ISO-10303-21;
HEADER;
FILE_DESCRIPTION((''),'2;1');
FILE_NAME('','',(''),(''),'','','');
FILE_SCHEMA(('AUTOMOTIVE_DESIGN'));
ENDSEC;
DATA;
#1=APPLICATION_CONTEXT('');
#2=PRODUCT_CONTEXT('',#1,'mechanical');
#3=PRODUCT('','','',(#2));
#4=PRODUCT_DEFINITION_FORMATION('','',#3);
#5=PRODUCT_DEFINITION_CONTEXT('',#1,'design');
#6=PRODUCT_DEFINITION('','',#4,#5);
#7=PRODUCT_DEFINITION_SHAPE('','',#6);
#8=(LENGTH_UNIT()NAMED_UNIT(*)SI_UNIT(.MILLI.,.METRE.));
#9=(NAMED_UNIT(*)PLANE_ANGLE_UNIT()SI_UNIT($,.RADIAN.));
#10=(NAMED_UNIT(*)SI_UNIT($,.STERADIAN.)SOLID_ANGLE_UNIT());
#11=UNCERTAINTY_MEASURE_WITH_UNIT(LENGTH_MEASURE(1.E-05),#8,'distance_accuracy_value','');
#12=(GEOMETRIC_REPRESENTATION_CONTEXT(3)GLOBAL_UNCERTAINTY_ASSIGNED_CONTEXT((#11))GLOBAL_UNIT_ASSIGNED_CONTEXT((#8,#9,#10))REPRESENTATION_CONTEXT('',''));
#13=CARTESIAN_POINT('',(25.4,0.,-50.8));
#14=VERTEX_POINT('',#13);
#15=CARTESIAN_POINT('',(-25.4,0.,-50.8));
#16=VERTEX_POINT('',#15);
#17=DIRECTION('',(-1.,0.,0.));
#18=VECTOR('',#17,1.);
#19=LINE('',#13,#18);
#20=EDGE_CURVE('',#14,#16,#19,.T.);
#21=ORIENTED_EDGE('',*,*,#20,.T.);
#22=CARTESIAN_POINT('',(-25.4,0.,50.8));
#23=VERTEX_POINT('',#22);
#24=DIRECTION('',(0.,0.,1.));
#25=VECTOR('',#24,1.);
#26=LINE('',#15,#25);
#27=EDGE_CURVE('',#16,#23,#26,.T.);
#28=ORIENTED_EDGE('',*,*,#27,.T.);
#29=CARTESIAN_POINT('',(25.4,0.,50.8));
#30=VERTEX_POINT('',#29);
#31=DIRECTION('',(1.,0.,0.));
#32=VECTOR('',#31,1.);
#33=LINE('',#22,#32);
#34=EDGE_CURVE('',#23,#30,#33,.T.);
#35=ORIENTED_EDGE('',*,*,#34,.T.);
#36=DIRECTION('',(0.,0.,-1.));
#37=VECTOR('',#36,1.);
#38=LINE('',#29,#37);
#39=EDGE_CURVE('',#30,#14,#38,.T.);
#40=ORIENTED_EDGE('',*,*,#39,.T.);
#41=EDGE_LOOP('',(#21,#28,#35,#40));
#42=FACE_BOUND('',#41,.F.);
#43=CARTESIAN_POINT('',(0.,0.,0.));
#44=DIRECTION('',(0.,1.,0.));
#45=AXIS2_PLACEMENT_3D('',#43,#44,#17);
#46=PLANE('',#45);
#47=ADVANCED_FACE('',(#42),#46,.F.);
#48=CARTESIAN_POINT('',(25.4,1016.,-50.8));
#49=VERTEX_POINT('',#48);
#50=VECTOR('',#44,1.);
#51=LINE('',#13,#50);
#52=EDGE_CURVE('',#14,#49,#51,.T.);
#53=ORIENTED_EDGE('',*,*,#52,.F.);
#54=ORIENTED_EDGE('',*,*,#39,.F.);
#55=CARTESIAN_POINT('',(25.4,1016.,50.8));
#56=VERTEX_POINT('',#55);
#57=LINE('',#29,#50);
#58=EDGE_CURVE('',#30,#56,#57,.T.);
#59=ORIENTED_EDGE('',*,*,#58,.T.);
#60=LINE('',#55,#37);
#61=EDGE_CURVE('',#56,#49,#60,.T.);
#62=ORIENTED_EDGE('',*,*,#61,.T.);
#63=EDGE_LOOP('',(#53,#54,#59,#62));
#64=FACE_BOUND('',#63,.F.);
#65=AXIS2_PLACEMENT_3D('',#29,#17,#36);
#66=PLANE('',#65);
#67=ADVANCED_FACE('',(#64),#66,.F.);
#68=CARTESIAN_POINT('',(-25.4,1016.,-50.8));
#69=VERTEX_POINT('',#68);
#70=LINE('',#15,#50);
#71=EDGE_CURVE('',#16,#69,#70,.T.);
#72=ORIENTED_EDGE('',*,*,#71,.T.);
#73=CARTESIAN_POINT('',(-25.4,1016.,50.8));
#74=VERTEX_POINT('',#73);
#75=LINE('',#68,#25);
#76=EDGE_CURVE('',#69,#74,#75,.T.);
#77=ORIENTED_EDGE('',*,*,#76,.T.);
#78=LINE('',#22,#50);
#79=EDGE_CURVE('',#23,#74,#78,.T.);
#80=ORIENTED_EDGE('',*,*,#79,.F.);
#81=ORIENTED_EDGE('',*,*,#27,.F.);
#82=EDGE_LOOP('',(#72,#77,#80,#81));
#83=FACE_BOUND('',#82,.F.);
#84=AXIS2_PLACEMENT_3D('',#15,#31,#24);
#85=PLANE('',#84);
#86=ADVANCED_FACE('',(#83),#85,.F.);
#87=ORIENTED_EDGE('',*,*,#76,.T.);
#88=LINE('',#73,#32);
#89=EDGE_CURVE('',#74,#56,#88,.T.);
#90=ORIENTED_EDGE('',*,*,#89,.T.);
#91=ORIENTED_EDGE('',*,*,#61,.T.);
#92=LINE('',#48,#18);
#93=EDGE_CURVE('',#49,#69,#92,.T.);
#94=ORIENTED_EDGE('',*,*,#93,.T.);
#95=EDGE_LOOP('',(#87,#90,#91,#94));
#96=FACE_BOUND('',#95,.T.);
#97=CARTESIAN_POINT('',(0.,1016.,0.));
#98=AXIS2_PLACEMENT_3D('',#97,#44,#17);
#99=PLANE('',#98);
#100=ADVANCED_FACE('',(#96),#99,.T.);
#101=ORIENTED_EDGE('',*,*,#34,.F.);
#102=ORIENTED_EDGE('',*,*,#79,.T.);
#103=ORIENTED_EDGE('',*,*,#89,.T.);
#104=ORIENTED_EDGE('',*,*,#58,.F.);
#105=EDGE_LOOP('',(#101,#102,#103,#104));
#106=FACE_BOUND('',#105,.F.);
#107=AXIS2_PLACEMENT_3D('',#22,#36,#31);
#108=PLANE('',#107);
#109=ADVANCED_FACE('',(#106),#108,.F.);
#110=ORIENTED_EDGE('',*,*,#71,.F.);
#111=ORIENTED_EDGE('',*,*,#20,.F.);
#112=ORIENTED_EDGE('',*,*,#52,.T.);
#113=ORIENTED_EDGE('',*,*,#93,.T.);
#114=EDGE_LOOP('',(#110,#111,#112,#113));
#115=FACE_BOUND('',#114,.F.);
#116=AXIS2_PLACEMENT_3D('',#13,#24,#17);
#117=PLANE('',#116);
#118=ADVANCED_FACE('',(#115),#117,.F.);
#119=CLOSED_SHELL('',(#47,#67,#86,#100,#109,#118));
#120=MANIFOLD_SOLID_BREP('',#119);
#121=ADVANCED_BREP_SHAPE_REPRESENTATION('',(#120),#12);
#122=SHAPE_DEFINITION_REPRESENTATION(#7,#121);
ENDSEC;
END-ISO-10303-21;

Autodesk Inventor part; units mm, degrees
ref_plane "YZ Plane" through (0, 0, 0) normal (1, 0, 0) x (0, 1, 0)
ref_plane "XZ Plane" through (0, 0, 0) normal (0, 1, 0) x (-1, 0, 0)
ref_plane "XY Plane" through (0, 0, 0) normal (0, 0, 1) x (1, 0, 0)
sketch "Sketch1" plane through (0, 0, 0) normal (0, 1, 0) x (-1, 0, 0)
  line L0 (-25.4, -50.8) -> (25.4, -50.8)
  line L1 (25.4, -50.8) -> (25.4, 50.8)
  line L2 (25.4, 50.8) -> (-25.4, 50.8)
  line L3 (-25.4, 50.8) -> (-25.4, -50.8)
  line L4 (-25.4, -50.8) -> (25.4, 50.8) construction
  line L5 (25.4, -50.8) -> (-25.4, 50.8) construction
  point P0 (0, 0)
  dimension "d0" = 50.8
  dimension "d1" = 101.6
extrude "Extrusion1" add sketch "Sketch1" along normal blind 1016
properties part number "2x4x40" material "Wood (Birch)"
